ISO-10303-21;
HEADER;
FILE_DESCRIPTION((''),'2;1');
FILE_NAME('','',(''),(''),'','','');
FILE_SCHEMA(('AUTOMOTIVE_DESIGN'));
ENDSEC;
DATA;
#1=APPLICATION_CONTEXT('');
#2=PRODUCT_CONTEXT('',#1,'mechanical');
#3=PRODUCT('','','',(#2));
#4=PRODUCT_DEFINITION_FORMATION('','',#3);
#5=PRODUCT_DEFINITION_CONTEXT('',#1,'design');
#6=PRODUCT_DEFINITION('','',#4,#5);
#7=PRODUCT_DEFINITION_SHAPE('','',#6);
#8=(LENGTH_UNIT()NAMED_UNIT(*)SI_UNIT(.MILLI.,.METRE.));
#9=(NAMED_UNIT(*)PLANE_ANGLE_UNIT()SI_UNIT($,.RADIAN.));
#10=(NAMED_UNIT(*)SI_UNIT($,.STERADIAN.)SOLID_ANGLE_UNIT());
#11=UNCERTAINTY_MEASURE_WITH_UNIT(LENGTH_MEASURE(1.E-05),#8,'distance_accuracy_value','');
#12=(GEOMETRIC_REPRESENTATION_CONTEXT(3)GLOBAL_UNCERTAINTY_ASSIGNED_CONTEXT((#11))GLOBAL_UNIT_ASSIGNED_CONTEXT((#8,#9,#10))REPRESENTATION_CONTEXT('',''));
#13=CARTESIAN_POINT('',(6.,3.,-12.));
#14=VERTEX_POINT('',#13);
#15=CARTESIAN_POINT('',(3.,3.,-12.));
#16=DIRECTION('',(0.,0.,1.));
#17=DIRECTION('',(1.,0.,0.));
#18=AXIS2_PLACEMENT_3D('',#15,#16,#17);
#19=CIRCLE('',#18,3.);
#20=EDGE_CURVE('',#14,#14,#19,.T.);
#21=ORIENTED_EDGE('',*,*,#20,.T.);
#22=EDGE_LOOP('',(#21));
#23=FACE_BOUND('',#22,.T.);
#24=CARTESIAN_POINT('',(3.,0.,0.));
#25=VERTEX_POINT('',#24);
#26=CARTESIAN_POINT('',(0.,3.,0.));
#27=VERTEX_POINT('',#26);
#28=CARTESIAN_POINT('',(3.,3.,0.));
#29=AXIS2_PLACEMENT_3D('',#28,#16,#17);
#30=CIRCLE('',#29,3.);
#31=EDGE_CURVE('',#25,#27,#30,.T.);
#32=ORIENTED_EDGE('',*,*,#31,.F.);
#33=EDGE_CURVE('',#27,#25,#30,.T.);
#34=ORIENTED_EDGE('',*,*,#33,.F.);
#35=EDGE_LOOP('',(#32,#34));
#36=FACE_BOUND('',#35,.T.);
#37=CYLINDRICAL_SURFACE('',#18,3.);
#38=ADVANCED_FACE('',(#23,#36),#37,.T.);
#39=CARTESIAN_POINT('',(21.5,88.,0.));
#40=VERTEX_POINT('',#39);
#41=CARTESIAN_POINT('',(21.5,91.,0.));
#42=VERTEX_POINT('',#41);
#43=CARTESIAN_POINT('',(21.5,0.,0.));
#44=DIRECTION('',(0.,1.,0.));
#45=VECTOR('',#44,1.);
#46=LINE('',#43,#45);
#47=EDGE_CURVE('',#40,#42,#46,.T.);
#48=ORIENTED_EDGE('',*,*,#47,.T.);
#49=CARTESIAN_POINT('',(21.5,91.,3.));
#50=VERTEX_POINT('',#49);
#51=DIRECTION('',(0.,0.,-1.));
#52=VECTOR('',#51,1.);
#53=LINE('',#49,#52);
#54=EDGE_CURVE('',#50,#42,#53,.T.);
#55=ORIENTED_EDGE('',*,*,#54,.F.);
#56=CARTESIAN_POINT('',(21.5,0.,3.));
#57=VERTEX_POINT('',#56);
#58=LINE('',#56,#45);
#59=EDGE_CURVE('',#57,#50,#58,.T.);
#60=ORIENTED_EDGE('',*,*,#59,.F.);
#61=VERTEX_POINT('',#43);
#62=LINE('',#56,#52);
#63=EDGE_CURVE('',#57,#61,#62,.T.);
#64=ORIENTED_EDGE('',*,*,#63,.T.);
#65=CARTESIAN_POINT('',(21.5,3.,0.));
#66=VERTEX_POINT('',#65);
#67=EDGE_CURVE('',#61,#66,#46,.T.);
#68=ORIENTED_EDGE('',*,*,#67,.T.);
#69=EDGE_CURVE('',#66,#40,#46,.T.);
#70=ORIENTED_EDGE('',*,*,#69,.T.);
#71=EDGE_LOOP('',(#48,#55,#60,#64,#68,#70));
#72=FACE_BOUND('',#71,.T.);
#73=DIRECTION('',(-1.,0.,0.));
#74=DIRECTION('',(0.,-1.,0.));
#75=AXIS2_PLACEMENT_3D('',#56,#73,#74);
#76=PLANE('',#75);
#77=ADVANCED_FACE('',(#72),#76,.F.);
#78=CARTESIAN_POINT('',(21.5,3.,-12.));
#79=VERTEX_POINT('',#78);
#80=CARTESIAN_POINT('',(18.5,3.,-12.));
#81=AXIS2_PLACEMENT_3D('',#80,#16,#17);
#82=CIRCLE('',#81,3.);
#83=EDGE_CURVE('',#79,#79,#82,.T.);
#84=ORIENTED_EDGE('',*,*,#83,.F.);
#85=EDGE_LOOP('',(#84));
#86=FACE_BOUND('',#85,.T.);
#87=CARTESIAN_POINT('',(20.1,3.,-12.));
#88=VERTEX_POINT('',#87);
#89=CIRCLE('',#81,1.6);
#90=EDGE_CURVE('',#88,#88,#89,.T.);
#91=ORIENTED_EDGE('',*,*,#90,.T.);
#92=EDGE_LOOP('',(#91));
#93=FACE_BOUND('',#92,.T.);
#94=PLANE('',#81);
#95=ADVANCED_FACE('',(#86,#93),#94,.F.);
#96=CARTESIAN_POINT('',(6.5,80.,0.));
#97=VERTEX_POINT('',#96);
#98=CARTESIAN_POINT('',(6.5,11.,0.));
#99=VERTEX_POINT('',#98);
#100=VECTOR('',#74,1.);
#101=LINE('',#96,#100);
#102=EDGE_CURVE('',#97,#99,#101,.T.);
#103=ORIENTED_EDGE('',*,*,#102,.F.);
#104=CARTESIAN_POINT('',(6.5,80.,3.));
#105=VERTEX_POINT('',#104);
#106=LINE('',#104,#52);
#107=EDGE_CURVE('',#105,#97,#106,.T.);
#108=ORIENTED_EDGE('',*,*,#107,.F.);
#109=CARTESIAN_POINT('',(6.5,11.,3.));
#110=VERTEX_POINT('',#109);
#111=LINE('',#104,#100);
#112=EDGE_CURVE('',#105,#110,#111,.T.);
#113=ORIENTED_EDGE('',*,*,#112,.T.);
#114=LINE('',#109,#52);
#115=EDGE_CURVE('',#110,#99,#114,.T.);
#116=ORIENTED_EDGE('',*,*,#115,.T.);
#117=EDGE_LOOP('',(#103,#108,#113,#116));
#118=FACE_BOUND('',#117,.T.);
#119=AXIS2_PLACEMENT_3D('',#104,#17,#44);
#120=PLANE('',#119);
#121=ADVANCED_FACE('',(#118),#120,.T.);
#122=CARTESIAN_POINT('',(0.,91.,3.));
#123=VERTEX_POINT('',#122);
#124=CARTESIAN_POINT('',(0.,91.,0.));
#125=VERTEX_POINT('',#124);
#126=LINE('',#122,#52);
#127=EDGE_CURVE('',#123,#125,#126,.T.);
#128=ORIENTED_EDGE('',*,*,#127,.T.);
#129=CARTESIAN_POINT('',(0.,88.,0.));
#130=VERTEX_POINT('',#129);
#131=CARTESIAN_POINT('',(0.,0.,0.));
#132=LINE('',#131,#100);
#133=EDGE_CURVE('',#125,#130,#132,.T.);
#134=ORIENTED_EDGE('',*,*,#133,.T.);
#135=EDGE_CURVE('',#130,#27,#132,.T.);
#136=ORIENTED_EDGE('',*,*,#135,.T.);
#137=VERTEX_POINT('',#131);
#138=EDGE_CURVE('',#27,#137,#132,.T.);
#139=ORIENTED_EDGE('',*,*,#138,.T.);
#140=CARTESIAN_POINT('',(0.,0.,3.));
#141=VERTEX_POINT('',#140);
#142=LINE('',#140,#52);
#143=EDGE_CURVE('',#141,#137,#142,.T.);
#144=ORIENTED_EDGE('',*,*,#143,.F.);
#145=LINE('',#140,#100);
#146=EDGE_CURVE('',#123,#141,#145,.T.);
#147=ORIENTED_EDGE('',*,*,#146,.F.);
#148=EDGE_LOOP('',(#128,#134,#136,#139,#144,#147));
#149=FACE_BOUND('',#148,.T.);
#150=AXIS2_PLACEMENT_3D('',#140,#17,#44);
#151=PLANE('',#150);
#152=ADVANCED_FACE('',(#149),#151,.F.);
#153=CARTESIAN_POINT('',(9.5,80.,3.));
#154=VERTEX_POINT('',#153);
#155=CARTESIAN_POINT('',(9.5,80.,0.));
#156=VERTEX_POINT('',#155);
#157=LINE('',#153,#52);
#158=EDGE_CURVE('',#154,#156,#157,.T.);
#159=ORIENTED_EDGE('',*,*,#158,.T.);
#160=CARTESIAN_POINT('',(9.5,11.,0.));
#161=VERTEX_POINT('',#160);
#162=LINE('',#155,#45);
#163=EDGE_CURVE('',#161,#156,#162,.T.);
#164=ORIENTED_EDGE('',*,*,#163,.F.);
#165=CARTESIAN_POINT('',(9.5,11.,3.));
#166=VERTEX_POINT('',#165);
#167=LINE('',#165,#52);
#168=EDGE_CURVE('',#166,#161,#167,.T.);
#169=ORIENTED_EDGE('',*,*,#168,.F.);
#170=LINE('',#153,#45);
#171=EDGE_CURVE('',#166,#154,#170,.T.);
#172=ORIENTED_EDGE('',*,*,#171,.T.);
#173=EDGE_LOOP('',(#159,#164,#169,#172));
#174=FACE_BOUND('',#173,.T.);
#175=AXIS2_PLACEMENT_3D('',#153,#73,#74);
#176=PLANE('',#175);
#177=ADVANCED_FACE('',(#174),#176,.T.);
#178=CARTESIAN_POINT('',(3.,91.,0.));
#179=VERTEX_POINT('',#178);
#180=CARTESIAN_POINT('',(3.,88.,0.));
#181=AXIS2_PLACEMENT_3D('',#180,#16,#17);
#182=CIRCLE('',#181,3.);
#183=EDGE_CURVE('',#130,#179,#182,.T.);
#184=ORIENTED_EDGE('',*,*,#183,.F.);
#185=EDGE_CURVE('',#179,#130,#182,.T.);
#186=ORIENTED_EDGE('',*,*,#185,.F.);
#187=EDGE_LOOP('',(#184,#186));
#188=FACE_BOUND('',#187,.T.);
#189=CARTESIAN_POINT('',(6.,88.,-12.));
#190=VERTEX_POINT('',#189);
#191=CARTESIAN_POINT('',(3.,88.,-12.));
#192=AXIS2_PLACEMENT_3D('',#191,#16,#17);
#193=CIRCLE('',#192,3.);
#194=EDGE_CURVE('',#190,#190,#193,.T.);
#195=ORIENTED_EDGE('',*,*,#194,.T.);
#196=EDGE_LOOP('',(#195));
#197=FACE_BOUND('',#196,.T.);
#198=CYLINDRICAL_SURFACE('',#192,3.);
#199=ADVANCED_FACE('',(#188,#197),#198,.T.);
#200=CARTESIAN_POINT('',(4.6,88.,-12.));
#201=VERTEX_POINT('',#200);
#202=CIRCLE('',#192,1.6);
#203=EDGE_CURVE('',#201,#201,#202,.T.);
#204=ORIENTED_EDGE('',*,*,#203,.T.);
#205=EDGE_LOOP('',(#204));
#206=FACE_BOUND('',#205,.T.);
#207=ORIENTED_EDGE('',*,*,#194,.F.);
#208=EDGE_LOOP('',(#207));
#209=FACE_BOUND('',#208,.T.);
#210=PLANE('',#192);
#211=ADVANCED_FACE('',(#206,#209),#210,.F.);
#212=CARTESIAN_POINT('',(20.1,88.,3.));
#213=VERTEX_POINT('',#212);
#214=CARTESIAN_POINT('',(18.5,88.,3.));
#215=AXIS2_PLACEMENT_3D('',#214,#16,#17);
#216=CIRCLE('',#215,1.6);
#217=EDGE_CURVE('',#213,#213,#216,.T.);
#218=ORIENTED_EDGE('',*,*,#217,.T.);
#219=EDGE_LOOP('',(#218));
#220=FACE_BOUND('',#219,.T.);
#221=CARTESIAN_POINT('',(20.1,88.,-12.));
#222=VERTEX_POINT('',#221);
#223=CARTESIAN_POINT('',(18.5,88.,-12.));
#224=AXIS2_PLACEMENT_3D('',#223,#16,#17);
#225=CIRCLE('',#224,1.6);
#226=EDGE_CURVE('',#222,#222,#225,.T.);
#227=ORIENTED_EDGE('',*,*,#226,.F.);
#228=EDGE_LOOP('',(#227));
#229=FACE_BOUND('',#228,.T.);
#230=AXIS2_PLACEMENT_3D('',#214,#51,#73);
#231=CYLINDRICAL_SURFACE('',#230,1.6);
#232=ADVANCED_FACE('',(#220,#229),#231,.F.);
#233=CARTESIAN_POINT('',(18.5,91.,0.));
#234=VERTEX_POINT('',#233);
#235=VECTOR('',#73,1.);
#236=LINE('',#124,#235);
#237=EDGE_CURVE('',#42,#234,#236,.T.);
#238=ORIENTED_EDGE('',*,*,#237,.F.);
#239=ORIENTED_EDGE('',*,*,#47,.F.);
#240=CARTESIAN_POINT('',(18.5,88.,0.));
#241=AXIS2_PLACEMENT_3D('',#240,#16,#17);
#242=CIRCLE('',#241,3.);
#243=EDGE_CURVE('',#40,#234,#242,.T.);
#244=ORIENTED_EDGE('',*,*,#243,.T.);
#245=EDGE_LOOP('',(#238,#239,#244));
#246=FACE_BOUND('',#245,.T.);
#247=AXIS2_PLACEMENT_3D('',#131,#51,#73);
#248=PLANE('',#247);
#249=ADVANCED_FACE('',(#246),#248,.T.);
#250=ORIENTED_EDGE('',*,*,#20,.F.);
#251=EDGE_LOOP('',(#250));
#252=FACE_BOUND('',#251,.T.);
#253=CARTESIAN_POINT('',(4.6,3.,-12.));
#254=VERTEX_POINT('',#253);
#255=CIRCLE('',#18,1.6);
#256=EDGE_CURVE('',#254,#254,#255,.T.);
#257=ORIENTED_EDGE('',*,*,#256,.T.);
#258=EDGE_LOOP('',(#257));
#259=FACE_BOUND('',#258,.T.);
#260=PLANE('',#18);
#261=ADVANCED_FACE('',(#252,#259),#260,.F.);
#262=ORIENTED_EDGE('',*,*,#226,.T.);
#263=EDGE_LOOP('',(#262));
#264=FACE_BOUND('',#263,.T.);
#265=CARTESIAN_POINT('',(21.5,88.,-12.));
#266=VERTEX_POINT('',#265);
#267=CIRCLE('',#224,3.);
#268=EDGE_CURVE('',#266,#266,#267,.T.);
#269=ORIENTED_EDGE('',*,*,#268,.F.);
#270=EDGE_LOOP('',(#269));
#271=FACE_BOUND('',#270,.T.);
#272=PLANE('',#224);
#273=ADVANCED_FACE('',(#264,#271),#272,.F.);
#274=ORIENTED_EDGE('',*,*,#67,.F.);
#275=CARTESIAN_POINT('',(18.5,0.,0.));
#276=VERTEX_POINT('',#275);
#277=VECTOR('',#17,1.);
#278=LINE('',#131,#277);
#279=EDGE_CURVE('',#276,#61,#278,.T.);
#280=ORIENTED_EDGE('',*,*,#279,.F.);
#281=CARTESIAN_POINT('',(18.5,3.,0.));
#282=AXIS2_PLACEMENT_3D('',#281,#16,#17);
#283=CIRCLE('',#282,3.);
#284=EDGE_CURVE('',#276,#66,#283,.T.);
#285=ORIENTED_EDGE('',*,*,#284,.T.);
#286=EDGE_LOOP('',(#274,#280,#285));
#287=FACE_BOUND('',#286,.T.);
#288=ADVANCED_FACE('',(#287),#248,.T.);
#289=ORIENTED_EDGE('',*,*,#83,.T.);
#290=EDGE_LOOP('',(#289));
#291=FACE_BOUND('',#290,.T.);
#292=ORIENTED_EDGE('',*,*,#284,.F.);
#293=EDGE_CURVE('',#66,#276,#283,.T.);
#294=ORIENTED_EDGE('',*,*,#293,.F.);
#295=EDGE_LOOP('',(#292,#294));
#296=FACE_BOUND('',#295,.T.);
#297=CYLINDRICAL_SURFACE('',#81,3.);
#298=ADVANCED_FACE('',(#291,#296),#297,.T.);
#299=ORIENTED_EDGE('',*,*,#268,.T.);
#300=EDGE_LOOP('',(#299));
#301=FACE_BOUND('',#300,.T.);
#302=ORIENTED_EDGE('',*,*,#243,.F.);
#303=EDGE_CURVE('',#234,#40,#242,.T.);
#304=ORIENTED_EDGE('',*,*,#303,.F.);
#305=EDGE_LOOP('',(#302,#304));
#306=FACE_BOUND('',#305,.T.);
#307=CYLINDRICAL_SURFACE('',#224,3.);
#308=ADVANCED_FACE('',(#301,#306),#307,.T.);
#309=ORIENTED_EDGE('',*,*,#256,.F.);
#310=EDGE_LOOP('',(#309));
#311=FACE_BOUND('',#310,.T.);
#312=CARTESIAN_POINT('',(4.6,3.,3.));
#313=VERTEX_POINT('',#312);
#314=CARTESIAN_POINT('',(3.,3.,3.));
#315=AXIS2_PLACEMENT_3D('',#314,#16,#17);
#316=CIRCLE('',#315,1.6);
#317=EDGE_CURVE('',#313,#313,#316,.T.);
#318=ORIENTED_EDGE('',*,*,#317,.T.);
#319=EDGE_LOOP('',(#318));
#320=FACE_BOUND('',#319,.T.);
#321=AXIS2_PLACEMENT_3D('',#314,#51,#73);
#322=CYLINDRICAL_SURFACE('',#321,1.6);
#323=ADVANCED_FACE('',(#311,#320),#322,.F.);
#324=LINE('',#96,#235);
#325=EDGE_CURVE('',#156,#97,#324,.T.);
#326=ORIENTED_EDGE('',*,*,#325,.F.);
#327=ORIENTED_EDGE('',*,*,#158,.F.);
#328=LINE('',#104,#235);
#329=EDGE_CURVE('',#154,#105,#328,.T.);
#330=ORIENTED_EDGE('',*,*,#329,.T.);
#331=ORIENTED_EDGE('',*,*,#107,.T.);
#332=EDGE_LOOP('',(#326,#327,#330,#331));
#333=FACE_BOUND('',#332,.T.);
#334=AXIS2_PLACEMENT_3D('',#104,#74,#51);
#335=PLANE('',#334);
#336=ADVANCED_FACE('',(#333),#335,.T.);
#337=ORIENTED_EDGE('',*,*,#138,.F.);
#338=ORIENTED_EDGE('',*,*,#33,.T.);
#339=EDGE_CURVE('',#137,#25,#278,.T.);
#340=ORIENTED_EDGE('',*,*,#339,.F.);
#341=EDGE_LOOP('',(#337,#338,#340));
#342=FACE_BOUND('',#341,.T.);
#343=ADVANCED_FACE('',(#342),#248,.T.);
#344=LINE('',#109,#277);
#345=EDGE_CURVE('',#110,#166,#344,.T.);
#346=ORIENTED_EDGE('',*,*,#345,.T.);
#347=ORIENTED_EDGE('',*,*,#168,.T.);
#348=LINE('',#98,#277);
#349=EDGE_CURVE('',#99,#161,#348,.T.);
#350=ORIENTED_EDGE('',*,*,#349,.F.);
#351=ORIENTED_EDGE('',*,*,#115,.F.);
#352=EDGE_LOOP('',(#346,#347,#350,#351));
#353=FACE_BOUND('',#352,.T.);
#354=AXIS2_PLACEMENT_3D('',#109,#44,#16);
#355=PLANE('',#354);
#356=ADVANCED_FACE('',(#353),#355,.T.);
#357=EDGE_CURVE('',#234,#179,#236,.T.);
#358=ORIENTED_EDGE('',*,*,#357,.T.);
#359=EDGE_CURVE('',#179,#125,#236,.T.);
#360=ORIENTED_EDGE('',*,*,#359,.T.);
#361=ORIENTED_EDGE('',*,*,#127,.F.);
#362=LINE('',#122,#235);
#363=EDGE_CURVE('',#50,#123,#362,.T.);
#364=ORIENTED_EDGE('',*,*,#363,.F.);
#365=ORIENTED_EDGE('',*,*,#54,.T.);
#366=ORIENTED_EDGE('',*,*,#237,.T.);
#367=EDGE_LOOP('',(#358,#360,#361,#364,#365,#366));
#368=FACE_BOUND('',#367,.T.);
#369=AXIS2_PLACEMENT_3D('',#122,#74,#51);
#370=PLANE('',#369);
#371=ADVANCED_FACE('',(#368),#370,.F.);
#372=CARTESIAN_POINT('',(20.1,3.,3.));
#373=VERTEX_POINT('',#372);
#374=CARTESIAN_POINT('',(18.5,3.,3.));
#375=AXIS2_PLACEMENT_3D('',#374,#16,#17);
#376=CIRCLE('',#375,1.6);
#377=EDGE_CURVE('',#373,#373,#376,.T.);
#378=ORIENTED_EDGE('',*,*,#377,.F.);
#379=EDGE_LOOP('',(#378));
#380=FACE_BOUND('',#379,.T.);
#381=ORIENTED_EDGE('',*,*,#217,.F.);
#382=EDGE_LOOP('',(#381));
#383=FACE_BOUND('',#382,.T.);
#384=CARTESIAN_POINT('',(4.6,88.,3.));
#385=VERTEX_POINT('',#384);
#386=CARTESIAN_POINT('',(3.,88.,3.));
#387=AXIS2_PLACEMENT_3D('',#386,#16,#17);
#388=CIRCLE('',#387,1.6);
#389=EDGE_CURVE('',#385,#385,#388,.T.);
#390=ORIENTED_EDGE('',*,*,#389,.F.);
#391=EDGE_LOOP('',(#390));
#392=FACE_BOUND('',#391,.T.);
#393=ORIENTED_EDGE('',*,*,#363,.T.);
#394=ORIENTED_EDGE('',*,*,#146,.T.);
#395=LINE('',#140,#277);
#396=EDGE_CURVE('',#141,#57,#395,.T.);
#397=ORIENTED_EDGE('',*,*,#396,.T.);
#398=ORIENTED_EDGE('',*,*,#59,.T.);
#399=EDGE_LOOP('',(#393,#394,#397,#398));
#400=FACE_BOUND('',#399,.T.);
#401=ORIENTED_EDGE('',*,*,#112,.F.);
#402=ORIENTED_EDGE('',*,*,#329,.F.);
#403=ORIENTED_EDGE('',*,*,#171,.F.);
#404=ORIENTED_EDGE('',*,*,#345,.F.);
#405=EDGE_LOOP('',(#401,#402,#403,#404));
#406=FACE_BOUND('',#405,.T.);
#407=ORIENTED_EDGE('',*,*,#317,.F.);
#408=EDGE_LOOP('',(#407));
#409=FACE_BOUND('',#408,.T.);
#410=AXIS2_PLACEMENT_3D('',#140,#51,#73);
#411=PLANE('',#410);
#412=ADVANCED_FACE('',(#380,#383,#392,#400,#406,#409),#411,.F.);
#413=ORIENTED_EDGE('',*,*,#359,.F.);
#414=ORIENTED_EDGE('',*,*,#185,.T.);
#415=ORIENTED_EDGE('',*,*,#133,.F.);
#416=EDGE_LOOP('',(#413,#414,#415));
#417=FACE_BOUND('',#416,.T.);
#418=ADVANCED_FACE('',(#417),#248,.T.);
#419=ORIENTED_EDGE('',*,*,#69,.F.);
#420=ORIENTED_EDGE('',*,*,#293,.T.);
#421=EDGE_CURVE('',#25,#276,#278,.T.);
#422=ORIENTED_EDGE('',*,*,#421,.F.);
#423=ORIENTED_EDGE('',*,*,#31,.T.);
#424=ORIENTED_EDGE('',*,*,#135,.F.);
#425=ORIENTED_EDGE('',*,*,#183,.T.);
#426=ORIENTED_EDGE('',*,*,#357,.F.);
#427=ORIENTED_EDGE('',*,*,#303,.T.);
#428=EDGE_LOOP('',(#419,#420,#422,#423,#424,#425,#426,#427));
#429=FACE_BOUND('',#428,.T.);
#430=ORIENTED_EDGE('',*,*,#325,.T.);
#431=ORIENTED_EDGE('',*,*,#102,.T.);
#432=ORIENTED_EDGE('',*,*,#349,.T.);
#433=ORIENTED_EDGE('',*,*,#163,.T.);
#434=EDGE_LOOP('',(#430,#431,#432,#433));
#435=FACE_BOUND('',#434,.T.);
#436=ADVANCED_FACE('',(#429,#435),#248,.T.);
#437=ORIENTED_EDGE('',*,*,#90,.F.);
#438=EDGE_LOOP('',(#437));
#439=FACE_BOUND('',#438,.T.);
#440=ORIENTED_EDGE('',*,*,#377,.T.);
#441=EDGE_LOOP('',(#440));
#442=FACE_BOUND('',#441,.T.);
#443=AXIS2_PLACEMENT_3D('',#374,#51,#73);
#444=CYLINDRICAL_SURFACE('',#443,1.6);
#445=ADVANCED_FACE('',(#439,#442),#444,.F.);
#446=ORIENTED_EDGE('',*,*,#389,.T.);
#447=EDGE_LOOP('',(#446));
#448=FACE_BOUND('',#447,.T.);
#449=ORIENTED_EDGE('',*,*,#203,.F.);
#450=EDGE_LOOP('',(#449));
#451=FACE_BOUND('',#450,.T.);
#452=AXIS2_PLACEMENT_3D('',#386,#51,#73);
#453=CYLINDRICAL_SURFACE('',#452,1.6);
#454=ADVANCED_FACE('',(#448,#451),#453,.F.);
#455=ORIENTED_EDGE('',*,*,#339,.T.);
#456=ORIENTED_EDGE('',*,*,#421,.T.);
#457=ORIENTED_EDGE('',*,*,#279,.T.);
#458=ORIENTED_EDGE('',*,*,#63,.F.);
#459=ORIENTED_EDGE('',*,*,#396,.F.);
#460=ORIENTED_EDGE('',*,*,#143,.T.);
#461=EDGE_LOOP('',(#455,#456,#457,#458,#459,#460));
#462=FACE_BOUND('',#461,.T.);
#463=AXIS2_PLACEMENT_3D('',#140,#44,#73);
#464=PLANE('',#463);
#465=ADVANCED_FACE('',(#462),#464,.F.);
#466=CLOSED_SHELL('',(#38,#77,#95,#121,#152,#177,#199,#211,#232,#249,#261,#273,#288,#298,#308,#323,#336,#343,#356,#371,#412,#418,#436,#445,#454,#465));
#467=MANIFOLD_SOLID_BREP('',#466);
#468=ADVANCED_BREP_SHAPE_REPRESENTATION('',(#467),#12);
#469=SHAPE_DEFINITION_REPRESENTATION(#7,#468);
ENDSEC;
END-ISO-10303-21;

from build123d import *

# Parameters (mm, degrees)
SKETCH1_W           = 21.5
SKETCH1_H           = 91
SKETCH1_R           = 1.6
SKETCH1_W_2         = 3
SKETCH1_H_2         = 69
BOSS_EXTRUDE1_DEPTH = 3
BOSS_EXTRUDE2_START = -12
SKETCH2_R           = 3
SKETCH2_R_2         = 1.6
BOSS_EXTRUDE2_DEPTH = 12


with BuildPart() as part:
    # Sketch1 → Boss-Extrude1 (new body)
    with BuildSketch(Plane.XY):
        with Locations((10.75, 45.5)):
            Rectangle(SKETCH1_W, SKETCH1_H)
        with Locations((3, 88)):
            Circle(SKETCH1_R, mode=Mode.SUBTRACT)
        with Locations((18.5, 88)):
            Circle(SKETCH1_R, mode=Mode.SUBTRACT)
        with Locations((3, 3)):
            Circle(SKETCH1_R, mode=Mode.SUBTRACT)
        with Locations((18.5, 3)):
            Circle(SKETCH1_R, mode=Mode.SUBTRACT)
        with Locations((8, 45.5)):
            Rectangle(SKETCH1_W_2, SKETCH1_H_2, mode=Mode.SUBTRACT)
    extrude(amount=BOSS_EXTRUDE1_DEPTH)

    # Sketch2 → Boss-Extrude2 (add)
    # profile 1 of 4: a face of its own
    with BuildSketch(Plane.XY.offset(BOSS_EXTRUDE2_START)):
        with Locations((3, 3)):
            Circle(SKETCH2_R)
        with Locations((3, 3)):
            Circle(SKETCH2_R_2, mode=Mode.SUBTRACT)
    # profile 2 of 4: a face of its own
    with BuildSketch(Plane.XY.offset(BOSS_EXTRUDE2_START)):
        with Locations((18.5, 3)):
            Circle(SKETCH2_R)
        with Locations((18.5, 3)):
            Circle(SKETCH2_R_2, mode=Mode.SUBTRACT)
    # profile 3 of 4: a face of its own
    with BuildSketch(Plane.XY.offset(BOSS_EXTRUDE2_START)):
        with Locations((18.5, 88)):
            Circle(SKETCH2_R)
        with Locations((18.5, 88)):
            Circle(SKETCH2_R_2, mode=Mode.SUBTRACT)
    # profile 4 of 4: a face of its own
    with BuildSketch(Plane.XY.offset(BOSS_EXTRUDE2_START)):
        with Locations((3, 88)):
            Circle(SKETCH2_R)
        with Locations((3, 88)):
            Circle(SKETCH2_R_2, mode=Mode.SUBTRACT)
    extrude(amount=BOSS_EXTRUDE2_DEPTH)


solid = part.part
